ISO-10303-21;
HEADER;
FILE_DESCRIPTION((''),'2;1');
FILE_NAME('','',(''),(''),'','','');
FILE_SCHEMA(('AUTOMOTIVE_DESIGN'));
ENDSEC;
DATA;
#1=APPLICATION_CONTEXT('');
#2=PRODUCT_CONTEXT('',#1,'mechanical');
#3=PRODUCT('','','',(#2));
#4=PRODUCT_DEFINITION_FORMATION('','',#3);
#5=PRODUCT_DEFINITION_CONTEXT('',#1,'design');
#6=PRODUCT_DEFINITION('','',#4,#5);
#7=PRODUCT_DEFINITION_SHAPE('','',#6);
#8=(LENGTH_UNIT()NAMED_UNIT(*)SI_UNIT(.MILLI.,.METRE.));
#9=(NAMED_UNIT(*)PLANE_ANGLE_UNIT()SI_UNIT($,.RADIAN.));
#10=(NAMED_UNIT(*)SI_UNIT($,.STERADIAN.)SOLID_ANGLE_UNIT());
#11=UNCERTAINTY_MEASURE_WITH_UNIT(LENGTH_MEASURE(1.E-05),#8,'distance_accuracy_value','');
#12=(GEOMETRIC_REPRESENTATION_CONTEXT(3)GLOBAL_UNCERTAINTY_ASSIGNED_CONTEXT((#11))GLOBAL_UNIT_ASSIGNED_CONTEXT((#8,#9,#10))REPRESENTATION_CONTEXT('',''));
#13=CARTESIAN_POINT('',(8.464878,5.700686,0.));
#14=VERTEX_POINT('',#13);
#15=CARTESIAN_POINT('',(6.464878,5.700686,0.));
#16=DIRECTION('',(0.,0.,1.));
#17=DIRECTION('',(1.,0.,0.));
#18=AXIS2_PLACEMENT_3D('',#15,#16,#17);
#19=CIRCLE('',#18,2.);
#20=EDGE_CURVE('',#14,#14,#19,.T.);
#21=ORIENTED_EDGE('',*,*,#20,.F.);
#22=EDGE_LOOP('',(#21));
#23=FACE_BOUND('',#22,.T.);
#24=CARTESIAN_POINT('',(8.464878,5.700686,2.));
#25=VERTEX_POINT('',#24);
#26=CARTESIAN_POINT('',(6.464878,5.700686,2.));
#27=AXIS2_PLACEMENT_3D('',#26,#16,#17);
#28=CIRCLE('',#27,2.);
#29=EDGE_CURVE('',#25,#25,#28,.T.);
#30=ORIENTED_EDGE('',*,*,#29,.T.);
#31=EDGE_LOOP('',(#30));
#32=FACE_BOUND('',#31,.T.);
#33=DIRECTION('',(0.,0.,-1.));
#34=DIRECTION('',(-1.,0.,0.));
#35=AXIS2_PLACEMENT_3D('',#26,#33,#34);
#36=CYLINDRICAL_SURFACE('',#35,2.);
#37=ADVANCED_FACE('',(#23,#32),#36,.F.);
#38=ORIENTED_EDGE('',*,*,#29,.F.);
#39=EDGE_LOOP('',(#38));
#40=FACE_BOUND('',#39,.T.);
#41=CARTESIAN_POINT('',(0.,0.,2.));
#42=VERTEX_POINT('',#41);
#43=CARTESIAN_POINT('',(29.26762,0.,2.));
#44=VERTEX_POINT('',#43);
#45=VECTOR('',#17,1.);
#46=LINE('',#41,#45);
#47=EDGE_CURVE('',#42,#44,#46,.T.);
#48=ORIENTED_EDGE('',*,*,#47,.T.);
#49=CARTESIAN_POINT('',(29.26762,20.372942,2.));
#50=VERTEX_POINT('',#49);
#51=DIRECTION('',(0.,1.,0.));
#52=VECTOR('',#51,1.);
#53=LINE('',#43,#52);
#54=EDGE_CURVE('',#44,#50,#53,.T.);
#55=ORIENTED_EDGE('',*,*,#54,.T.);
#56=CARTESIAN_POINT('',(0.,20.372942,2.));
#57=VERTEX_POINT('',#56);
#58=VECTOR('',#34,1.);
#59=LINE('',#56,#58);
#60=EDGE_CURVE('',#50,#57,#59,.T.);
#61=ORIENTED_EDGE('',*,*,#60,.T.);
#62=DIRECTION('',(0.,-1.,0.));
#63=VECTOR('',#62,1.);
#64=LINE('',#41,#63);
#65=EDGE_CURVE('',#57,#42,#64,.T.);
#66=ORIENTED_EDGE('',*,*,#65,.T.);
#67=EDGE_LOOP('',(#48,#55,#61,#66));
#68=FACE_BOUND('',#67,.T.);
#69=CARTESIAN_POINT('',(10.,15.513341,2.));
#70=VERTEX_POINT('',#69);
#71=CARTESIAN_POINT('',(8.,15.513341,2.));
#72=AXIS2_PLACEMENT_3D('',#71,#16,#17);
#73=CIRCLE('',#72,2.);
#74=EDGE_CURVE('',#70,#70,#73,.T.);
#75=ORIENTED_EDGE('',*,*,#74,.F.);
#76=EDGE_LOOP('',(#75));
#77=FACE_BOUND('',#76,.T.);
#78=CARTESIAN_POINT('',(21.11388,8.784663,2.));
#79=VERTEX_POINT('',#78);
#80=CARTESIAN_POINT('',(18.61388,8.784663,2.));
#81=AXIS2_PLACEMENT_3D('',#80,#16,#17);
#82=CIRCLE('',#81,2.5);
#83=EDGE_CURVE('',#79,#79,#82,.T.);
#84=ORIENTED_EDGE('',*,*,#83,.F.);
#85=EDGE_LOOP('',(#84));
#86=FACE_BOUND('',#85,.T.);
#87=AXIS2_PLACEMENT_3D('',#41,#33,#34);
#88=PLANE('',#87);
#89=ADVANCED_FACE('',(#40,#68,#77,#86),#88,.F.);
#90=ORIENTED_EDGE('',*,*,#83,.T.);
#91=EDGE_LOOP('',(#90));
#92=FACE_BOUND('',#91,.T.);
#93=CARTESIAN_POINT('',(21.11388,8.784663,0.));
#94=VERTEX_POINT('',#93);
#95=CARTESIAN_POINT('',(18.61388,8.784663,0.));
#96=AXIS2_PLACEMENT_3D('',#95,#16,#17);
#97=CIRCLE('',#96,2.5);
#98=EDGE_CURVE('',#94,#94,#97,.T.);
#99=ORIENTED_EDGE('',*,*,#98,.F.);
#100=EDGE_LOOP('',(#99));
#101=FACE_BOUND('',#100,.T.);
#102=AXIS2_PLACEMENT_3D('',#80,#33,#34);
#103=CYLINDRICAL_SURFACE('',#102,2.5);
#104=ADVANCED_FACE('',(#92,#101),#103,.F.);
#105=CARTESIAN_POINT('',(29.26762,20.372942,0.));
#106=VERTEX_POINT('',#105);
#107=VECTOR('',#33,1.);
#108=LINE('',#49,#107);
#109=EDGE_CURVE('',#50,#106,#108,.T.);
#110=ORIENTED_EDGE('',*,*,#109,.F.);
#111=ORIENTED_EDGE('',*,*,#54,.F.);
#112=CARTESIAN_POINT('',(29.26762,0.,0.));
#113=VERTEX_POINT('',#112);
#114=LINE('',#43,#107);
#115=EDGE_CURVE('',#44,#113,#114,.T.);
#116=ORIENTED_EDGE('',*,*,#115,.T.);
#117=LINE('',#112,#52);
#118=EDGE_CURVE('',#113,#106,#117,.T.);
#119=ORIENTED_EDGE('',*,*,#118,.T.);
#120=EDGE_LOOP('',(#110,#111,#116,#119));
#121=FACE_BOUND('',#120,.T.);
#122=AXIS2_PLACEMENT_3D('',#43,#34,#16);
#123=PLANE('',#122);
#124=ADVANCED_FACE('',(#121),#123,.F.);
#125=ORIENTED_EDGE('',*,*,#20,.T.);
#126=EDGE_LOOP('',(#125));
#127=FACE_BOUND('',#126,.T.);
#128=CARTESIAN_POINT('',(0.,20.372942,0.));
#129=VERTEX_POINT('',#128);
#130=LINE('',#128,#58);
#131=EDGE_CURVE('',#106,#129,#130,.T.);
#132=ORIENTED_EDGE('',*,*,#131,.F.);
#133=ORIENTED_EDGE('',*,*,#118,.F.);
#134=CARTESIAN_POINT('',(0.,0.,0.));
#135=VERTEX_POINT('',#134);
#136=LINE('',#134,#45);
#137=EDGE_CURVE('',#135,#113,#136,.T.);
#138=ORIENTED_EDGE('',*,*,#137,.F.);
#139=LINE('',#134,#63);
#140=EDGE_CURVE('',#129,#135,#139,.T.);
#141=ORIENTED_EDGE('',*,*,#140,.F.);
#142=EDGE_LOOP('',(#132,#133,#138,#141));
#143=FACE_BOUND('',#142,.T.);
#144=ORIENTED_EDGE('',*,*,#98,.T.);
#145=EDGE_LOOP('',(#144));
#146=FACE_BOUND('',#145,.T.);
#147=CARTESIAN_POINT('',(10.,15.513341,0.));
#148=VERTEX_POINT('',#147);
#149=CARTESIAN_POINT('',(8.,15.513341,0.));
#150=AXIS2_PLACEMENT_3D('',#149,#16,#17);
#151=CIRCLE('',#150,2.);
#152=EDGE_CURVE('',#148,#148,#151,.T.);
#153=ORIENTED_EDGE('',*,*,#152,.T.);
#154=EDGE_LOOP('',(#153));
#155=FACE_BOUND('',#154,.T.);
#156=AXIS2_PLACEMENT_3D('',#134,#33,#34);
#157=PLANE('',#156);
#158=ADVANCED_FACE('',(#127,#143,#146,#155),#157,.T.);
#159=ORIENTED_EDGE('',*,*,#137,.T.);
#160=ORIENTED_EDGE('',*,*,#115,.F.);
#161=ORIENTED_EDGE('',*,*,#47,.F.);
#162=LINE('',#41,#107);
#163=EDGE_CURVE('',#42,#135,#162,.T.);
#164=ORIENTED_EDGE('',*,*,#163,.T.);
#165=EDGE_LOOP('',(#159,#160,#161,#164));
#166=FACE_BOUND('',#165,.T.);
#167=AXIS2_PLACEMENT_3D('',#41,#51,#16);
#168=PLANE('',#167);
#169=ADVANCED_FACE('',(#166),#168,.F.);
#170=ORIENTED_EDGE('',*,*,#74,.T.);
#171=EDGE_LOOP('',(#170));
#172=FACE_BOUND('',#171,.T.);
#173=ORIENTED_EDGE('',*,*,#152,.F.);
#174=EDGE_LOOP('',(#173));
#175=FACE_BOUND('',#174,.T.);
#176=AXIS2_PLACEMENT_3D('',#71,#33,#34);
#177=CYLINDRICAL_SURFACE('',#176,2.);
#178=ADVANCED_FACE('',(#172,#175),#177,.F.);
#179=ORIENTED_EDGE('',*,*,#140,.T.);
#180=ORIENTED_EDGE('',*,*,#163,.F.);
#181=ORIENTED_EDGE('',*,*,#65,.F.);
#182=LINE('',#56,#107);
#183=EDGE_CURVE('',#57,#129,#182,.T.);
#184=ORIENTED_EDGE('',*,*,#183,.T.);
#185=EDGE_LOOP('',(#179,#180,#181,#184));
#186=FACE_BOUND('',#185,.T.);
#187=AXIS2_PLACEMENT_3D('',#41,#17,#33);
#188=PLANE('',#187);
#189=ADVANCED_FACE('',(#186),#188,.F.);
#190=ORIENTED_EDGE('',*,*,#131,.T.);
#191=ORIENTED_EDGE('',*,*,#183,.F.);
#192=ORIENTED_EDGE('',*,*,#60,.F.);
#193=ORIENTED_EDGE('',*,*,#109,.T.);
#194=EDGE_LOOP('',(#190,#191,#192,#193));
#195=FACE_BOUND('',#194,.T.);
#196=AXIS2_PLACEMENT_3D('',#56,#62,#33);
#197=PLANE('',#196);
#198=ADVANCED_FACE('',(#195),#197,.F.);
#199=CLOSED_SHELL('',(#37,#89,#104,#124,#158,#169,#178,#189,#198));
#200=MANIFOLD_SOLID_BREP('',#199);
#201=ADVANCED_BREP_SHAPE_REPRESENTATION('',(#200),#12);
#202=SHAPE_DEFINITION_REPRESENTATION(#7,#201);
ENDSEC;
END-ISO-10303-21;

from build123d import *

# Parameters (mm, degrees)
SKETCH_1_W      = 29.26762047
SKETCH_1_H      = 20.372942069
SKETCH_1_R      = 2
SKETCH_1_R_2    = 2.5
EXTRUDE_1_DEPTH = 2


with BuildPart() as part:
    # 스케치1 → 보스-돌출1 (new body)
    with BuildSketch(Plane.XY):
        with Locations((14.633810235, 10.186471035)):
            Rectangle(SKETCH_1_W, SKETCH_1_H)
        with Locations((8, 15.513341209)):
            Circle(SKETCH_1_R, mode=Mode.SUBTRACT)
        with Locations((6.464877971, 5.700685625)):
            Circle(SKETCH_1_R, mode=Mode.SUBTRACT)
        with Locations((18.613880122, 8.784663094)):
            Circle(SKETCH_1_R_2, mode=Mode.SUBTRACT)
    extrude(amount=EXTRUDE_1_DEPTH)


solid = part.part
